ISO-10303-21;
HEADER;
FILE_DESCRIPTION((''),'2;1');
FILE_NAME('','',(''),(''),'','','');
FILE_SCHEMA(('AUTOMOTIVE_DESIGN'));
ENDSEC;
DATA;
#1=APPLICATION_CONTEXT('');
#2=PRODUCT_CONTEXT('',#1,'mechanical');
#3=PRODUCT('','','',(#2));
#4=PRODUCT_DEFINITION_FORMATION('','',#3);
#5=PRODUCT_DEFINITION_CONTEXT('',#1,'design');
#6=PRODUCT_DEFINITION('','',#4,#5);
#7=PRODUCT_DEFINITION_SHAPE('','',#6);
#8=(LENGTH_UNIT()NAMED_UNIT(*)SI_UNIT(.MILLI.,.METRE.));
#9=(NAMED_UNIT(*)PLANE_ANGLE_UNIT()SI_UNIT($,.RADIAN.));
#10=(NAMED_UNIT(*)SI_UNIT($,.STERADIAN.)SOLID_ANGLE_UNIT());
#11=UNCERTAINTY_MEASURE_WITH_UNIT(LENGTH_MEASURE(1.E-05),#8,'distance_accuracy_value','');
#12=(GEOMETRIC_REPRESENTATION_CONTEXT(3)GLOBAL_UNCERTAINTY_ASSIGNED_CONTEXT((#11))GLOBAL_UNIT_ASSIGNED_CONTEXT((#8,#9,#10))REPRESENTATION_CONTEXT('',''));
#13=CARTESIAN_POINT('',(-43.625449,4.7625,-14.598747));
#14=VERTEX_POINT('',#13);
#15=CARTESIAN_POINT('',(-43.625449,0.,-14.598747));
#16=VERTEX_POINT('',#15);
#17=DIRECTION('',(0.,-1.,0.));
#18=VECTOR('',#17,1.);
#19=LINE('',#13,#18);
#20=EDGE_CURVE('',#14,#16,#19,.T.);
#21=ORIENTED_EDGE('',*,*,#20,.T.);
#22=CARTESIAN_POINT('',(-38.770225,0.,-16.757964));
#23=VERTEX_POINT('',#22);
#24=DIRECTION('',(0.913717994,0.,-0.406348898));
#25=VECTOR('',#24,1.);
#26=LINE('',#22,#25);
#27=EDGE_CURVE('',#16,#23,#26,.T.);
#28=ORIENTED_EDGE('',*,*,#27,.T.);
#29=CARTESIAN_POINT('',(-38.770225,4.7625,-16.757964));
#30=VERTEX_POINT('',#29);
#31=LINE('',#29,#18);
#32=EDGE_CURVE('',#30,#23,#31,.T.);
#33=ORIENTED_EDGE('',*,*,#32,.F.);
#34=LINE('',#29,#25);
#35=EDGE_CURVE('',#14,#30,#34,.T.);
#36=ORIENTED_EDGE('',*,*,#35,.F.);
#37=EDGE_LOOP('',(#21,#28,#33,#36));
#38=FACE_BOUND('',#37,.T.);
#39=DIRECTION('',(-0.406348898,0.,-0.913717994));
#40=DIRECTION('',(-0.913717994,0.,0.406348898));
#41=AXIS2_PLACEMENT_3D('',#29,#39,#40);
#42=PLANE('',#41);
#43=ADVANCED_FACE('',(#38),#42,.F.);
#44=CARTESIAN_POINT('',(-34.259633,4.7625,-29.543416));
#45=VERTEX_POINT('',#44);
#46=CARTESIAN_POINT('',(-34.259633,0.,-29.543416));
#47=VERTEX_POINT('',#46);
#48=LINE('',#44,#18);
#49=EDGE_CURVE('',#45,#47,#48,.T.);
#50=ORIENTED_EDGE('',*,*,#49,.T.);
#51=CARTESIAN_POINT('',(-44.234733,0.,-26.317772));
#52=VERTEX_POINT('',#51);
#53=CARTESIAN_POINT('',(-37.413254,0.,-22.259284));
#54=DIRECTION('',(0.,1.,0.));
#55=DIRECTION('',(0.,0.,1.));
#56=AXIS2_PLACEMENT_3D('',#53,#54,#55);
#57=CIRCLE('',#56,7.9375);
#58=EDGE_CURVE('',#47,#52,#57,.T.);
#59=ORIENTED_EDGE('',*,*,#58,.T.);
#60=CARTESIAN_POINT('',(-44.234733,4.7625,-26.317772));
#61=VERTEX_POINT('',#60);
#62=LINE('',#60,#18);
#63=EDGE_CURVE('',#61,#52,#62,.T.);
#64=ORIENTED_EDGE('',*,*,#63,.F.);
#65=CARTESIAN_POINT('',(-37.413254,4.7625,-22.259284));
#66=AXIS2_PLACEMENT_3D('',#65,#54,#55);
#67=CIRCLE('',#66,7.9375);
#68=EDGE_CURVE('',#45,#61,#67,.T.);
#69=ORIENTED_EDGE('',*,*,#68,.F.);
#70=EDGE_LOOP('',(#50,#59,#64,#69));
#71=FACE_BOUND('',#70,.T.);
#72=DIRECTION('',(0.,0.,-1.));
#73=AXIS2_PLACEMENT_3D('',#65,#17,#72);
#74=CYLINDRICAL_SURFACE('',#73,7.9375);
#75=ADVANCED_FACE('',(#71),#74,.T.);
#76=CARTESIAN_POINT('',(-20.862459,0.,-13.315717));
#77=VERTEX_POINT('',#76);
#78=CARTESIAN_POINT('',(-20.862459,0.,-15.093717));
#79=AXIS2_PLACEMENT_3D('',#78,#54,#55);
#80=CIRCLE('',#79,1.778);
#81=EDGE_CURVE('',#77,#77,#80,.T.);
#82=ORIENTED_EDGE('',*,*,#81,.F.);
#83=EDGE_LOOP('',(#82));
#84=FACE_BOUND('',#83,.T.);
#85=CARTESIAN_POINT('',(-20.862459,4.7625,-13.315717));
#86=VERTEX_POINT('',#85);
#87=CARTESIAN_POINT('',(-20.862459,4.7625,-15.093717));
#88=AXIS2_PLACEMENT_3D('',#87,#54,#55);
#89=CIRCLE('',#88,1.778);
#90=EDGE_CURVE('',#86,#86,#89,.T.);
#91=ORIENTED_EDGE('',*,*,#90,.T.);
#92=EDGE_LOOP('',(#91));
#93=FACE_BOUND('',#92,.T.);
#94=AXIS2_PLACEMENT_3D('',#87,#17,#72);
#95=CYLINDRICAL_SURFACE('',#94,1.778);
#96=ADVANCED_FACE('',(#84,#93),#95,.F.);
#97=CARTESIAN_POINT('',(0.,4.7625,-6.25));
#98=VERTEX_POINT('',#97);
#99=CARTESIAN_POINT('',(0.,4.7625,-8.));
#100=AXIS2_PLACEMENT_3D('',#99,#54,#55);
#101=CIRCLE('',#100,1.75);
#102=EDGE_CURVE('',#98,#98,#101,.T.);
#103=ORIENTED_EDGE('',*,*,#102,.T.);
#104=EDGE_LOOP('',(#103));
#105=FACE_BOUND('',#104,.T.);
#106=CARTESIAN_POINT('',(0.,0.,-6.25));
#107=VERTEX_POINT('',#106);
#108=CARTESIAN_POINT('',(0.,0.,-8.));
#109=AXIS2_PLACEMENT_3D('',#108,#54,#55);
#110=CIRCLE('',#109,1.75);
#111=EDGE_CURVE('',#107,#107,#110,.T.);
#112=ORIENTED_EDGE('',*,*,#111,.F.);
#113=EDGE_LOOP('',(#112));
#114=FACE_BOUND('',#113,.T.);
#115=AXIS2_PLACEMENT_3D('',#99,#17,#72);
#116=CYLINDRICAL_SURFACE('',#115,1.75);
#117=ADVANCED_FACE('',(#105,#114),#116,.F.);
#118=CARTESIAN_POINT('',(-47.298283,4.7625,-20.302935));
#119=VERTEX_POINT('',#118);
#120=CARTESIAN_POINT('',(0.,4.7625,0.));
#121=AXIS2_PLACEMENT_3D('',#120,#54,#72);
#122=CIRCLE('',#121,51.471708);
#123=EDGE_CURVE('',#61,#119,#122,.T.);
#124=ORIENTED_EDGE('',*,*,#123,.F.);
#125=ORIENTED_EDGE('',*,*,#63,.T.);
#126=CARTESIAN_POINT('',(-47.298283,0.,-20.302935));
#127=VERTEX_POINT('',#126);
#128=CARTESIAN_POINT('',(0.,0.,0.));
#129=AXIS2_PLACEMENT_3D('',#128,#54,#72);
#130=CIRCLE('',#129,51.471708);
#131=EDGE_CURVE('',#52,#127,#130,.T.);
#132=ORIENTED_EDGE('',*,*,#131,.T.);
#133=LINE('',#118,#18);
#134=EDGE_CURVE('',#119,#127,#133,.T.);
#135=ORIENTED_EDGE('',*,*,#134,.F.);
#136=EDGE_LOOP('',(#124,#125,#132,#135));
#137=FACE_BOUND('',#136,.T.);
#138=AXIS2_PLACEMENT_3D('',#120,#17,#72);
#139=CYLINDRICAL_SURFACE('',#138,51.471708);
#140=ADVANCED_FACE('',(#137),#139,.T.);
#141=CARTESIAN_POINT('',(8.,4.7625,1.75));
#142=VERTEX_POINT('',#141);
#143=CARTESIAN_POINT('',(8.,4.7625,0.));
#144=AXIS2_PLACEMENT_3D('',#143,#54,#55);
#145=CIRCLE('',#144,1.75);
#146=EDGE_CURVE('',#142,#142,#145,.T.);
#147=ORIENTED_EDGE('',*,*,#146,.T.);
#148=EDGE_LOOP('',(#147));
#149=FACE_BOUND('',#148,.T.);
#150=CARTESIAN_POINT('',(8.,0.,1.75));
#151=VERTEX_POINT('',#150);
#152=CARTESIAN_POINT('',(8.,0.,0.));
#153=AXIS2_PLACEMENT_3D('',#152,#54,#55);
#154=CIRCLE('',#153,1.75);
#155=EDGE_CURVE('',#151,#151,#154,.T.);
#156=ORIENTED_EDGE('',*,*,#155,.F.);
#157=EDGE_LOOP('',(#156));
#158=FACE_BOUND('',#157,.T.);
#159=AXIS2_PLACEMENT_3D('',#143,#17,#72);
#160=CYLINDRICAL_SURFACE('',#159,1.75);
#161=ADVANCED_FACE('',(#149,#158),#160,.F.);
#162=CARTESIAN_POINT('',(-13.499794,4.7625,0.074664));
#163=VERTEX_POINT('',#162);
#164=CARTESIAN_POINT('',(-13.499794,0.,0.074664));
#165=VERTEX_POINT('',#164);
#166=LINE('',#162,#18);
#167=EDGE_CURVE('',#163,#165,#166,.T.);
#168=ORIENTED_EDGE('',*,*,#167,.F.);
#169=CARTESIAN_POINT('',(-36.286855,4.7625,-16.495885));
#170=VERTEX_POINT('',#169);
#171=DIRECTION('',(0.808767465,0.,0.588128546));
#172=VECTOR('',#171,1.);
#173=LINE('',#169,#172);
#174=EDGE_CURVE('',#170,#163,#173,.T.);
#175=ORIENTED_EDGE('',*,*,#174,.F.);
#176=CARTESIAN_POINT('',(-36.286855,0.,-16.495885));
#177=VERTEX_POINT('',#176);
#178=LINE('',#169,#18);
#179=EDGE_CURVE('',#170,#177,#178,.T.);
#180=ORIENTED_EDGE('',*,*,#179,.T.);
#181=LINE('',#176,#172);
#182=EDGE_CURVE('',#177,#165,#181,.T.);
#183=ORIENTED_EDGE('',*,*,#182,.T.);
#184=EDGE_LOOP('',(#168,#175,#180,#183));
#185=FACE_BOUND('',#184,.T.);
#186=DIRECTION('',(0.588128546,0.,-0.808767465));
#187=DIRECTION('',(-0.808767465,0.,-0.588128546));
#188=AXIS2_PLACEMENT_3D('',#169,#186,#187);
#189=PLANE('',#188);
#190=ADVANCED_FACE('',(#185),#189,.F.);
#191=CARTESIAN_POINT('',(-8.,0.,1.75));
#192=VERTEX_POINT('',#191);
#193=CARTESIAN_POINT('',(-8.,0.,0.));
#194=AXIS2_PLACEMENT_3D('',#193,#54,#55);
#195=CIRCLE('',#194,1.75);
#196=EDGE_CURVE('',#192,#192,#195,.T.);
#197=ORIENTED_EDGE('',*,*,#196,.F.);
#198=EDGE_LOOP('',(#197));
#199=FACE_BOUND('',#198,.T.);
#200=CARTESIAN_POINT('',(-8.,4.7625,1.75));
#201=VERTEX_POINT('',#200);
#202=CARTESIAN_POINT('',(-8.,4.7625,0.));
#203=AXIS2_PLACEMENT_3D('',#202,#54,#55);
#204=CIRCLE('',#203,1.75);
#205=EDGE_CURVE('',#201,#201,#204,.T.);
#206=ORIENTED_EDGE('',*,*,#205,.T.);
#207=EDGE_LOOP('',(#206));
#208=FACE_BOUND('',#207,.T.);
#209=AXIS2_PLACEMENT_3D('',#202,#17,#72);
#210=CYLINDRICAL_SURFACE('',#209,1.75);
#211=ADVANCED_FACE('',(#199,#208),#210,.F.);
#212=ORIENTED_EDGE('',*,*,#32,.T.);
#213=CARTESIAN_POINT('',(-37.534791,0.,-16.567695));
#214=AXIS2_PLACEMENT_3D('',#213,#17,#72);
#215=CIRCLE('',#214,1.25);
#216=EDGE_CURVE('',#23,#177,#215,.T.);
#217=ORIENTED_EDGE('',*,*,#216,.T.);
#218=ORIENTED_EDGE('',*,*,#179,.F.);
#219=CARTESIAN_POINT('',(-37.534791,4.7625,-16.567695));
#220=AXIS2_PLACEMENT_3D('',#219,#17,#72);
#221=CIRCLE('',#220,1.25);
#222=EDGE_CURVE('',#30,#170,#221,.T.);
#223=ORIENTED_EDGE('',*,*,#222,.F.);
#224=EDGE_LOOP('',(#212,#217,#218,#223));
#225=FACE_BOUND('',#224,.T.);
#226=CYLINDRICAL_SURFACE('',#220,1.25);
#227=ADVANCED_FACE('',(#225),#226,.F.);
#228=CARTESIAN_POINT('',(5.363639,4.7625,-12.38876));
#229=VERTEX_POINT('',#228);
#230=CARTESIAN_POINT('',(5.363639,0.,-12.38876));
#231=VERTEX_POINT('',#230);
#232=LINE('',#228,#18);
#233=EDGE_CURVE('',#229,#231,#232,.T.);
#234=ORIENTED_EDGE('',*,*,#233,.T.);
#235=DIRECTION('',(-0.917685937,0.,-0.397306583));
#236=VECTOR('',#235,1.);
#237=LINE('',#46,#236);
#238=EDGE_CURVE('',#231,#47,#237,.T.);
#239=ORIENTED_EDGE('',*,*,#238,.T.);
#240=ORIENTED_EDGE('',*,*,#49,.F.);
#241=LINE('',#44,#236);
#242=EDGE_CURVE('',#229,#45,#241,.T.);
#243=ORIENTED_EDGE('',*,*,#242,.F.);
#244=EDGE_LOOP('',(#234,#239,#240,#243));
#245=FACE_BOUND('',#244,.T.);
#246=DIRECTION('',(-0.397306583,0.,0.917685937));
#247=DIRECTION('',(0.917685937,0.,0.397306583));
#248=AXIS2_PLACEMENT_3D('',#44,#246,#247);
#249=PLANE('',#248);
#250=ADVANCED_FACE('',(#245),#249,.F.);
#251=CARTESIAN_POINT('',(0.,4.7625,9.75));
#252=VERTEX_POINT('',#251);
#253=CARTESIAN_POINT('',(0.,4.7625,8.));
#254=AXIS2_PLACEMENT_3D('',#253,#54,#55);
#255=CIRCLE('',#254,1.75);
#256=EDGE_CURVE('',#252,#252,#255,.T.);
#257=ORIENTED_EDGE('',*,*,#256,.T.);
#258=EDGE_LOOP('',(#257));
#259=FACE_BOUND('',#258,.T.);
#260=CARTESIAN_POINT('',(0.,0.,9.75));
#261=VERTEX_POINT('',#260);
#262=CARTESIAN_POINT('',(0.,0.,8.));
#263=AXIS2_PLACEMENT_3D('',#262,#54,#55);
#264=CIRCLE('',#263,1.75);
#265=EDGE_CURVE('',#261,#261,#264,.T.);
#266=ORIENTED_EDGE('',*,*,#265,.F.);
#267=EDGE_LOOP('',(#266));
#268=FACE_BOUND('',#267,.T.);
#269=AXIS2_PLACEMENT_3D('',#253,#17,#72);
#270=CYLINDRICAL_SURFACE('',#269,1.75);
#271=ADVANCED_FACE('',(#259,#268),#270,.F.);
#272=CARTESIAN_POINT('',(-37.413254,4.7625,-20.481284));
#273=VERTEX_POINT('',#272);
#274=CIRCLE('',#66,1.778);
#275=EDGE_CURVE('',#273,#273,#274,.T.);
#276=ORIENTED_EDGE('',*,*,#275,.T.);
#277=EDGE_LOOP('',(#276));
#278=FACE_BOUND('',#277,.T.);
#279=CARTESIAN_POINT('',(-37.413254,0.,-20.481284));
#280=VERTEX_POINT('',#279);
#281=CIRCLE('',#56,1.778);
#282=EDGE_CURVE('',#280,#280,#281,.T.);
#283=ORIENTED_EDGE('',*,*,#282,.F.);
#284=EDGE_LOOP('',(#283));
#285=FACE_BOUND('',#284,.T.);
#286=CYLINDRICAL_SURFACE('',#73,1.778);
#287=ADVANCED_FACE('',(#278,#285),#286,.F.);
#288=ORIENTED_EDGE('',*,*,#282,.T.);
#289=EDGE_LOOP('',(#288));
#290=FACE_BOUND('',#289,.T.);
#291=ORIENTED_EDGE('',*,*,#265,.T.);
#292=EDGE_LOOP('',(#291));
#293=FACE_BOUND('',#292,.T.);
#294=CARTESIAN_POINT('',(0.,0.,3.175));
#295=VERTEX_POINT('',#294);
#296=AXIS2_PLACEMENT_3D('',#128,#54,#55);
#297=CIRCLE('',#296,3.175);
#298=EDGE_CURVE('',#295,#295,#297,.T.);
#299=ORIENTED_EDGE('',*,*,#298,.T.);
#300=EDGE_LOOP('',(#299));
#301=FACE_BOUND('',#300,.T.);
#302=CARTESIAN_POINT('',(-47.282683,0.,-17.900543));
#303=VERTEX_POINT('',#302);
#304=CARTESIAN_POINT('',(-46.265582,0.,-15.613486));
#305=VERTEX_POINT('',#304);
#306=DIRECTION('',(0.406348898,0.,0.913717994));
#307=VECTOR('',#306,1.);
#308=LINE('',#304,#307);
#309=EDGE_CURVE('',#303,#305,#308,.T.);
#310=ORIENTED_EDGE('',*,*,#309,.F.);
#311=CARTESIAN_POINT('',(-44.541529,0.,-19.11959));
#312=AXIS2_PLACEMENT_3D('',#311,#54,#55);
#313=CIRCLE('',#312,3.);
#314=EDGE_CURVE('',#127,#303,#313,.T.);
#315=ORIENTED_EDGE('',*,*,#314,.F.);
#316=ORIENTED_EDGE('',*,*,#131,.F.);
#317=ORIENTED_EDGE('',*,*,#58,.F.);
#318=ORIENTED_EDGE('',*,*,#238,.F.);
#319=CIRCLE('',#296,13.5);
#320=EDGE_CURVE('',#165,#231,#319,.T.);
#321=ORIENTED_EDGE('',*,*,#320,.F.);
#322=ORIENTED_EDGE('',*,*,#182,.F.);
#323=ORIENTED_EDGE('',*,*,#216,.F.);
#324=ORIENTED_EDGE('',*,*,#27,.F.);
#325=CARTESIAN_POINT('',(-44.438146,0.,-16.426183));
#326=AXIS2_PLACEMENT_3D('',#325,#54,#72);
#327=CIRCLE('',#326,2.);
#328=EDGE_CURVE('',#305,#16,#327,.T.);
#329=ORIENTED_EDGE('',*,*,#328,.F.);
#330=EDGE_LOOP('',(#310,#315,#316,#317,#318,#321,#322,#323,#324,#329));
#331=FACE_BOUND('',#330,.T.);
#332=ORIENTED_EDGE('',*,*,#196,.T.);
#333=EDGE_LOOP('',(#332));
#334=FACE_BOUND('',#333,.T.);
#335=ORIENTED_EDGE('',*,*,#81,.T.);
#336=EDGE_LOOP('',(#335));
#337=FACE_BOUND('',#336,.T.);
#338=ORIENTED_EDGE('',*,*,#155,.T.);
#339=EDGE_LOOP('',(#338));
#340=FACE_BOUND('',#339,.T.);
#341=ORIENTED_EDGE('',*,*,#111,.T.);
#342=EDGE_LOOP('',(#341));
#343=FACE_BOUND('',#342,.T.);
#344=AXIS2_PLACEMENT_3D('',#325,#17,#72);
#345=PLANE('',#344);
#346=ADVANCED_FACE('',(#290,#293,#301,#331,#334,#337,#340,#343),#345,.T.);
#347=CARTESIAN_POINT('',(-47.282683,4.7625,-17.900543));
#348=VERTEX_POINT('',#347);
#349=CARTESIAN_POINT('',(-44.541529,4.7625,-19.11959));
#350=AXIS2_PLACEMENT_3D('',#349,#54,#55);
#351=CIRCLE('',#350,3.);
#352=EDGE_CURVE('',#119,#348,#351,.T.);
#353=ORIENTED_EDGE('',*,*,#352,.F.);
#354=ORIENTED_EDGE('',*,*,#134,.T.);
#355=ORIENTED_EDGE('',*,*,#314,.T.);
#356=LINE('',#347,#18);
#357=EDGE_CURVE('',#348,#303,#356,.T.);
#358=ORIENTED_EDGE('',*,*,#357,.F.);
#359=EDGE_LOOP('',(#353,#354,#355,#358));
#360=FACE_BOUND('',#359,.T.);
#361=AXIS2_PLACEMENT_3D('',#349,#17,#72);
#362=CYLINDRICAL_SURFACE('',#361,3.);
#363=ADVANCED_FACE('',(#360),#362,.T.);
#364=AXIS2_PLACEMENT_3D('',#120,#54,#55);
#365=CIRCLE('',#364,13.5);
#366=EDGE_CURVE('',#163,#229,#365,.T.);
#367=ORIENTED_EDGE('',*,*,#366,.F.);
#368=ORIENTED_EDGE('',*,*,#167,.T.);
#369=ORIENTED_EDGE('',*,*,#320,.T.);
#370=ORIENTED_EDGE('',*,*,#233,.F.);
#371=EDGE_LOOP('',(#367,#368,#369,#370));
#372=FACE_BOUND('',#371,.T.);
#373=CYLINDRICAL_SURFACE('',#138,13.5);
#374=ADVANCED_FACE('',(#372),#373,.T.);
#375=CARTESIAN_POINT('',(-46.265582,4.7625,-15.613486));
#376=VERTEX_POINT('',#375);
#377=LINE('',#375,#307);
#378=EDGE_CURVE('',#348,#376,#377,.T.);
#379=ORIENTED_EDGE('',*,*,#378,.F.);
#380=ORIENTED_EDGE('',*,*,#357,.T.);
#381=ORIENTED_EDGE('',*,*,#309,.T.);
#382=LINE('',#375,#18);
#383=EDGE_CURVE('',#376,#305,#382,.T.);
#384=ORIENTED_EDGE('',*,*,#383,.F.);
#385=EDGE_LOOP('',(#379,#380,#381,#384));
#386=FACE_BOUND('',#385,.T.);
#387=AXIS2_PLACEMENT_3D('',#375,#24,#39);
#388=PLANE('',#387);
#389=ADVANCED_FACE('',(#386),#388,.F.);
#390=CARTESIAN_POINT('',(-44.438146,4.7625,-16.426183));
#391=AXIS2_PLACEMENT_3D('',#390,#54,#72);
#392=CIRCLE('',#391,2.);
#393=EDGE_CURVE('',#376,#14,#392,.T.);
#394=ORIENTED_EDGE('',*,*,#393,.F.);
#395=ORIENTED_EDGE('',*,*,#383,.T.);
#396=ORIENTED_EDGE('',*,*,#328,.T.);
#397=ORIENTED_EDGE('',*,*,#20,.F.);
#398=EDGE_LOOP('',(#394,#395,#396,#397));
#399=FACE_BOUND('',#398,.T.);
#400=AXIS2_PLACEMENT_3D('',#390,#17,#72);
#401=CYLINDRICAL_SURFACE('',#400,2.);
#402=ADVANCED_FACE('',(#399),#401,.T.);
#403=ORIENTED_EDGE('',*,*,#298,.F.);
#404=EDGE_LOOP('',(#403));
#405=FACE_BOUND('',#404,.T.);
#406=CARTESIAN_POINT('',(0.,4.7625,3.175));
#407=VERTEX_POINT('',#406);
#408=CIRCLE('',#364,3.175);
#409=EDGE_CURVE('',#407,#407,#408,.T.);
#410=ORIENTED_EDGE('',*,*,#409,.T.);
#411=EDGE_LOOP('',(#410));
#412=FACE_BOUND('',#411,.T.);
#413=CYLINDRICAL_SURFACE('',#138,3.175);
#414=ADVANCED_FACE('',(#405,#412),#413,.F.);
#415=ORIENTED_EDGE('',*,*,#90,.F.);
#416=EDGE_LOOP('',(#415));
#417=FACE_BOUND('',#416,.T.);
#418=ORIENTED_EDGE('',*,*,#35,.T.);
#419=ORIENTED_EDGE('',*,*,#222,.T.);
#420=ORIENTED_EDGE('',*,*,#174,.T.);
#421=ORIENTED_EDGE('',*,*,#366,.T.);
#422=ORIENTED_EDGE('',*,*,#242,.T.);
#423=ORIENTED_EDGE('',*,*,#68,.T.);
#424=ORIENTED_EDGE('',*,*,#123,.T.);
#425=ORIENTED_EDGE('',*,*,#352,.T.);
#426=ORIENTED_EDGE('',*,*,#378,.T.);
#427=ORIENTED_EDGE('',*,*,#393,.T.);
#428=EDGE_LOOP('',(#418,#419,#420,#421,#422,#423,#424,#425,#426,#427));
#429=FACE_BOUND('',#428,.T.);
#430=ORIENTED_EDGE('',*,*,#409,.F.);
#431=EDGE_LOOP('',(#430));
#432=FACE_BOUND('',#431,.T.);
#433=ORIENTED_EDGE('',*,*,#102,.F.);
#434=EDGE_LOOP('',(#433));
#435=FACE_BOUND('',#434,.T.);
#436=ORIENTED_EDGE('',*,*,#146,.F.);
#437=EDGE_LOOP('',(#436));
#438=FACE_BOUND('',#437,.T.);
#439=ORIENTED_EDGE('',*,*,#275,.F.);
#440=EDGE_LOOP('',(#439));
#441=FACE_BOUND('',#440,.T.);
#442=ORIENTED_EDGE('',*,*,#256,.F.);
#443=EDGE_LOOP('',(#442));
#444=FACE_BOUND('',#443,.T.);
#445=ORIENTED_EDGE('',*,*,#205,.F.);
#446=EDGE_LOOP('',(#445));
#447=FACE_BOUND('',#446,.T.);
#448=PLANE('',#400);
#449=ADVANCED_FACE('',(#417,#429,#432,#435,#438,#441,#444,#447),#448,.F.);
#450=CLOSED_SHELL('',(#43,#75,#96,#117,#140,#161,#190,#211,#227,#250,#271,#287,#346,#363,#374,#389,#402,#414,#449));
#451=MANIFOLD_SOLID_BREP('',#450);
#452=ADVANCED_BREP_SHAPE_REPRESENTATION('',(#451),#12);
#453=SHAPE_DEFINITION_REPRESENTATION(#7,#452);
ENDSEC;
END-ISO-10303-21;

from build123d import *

# Parameters (mm, degrees)
SKETCH1_R           = 1.75
SKETCH1_R_2         = 3.175
SKETCH1_R_3         = 1.778
BOSS_EXTRUDE1_DEPTH = 4.7625


with BuildPart() as part:
    # Sketch1 → Boss-Extrude1 (new body)
    with BuildSketch(Plane(origin=(0, 0, 0), x_dir=(1, 0, 0), z_dir=(0, 1, 0))):
        with BuildLine():
            Line((-38.770225031, 16.757963615), (-43.625448569, 14.598747375))
            ThreePointArc((-43.625448569, 14.598747375), (-45.155674622, 14.559326862), (-46.265582353, 15.613485569))
            Line((-46.265582353, 15.613485569), (-47.282683039, 17.900542834))
            ThreePointArc((-47.282683039, 17.900542834), (-47.541465806, 19.100109045), (-47.298283286, 20.302934833))
            ThreePointArc((-47.298283286, 20.302934833), (-45.865213893, 23.360627542), (-44.234733225, 26.317772344))
            ThreePointArc((-44.234733225, 26.317772344), (-39.855484626, 29.811728531), (-34.259632886, 29.543416329))
            Line((-34.259632886, 29.543416329), (5.363638877, 12.388760148))
            ThreePointArc((5.363638877, 12.388760148), (7.44200849, -11.263503435), (-13.499793526, -0.074664302))
            Line((-13.499793526, -0.074664302), (-36.286855081, 16.495885282))
            ThreePointArc((-36.286855081, 16.495885282), (-37.403602541, 17.810792136), (-38.770225031, 16.757963615))
        make_face()
        with Locations((8, 0)):
            Circle(SKETCH1_R, mode=Mode.SUBTRACT)
        with Locations((0, -8)):
            Circle(SKETCH1_R, mode=Mode.SUBTRACT)
        with Locations((-8, 0)):
            Circle(SKETCH1_R, mode=Mode.SUBTRACT)
        with Locations((0, 8)):
            Circle(SKETCH1_R, mode=Mode.SUBTRACT)
        Circle(SKETCH1_R_2, mode=Mode.SUBTRACT)
        with Locations((-20.862458922, 15.093717491)):
            Circle(SKETCH1_R_3, mode=Mode.SUBTRACT)
        with Locations((-37.413253893, 22.259284205)):
            Circle(SKETCH1_R_3, mode=Mode.SUBTRACT)
    extrude(amount=BOSS_EXTRUDE1_DEPTH)


solid = part.part
